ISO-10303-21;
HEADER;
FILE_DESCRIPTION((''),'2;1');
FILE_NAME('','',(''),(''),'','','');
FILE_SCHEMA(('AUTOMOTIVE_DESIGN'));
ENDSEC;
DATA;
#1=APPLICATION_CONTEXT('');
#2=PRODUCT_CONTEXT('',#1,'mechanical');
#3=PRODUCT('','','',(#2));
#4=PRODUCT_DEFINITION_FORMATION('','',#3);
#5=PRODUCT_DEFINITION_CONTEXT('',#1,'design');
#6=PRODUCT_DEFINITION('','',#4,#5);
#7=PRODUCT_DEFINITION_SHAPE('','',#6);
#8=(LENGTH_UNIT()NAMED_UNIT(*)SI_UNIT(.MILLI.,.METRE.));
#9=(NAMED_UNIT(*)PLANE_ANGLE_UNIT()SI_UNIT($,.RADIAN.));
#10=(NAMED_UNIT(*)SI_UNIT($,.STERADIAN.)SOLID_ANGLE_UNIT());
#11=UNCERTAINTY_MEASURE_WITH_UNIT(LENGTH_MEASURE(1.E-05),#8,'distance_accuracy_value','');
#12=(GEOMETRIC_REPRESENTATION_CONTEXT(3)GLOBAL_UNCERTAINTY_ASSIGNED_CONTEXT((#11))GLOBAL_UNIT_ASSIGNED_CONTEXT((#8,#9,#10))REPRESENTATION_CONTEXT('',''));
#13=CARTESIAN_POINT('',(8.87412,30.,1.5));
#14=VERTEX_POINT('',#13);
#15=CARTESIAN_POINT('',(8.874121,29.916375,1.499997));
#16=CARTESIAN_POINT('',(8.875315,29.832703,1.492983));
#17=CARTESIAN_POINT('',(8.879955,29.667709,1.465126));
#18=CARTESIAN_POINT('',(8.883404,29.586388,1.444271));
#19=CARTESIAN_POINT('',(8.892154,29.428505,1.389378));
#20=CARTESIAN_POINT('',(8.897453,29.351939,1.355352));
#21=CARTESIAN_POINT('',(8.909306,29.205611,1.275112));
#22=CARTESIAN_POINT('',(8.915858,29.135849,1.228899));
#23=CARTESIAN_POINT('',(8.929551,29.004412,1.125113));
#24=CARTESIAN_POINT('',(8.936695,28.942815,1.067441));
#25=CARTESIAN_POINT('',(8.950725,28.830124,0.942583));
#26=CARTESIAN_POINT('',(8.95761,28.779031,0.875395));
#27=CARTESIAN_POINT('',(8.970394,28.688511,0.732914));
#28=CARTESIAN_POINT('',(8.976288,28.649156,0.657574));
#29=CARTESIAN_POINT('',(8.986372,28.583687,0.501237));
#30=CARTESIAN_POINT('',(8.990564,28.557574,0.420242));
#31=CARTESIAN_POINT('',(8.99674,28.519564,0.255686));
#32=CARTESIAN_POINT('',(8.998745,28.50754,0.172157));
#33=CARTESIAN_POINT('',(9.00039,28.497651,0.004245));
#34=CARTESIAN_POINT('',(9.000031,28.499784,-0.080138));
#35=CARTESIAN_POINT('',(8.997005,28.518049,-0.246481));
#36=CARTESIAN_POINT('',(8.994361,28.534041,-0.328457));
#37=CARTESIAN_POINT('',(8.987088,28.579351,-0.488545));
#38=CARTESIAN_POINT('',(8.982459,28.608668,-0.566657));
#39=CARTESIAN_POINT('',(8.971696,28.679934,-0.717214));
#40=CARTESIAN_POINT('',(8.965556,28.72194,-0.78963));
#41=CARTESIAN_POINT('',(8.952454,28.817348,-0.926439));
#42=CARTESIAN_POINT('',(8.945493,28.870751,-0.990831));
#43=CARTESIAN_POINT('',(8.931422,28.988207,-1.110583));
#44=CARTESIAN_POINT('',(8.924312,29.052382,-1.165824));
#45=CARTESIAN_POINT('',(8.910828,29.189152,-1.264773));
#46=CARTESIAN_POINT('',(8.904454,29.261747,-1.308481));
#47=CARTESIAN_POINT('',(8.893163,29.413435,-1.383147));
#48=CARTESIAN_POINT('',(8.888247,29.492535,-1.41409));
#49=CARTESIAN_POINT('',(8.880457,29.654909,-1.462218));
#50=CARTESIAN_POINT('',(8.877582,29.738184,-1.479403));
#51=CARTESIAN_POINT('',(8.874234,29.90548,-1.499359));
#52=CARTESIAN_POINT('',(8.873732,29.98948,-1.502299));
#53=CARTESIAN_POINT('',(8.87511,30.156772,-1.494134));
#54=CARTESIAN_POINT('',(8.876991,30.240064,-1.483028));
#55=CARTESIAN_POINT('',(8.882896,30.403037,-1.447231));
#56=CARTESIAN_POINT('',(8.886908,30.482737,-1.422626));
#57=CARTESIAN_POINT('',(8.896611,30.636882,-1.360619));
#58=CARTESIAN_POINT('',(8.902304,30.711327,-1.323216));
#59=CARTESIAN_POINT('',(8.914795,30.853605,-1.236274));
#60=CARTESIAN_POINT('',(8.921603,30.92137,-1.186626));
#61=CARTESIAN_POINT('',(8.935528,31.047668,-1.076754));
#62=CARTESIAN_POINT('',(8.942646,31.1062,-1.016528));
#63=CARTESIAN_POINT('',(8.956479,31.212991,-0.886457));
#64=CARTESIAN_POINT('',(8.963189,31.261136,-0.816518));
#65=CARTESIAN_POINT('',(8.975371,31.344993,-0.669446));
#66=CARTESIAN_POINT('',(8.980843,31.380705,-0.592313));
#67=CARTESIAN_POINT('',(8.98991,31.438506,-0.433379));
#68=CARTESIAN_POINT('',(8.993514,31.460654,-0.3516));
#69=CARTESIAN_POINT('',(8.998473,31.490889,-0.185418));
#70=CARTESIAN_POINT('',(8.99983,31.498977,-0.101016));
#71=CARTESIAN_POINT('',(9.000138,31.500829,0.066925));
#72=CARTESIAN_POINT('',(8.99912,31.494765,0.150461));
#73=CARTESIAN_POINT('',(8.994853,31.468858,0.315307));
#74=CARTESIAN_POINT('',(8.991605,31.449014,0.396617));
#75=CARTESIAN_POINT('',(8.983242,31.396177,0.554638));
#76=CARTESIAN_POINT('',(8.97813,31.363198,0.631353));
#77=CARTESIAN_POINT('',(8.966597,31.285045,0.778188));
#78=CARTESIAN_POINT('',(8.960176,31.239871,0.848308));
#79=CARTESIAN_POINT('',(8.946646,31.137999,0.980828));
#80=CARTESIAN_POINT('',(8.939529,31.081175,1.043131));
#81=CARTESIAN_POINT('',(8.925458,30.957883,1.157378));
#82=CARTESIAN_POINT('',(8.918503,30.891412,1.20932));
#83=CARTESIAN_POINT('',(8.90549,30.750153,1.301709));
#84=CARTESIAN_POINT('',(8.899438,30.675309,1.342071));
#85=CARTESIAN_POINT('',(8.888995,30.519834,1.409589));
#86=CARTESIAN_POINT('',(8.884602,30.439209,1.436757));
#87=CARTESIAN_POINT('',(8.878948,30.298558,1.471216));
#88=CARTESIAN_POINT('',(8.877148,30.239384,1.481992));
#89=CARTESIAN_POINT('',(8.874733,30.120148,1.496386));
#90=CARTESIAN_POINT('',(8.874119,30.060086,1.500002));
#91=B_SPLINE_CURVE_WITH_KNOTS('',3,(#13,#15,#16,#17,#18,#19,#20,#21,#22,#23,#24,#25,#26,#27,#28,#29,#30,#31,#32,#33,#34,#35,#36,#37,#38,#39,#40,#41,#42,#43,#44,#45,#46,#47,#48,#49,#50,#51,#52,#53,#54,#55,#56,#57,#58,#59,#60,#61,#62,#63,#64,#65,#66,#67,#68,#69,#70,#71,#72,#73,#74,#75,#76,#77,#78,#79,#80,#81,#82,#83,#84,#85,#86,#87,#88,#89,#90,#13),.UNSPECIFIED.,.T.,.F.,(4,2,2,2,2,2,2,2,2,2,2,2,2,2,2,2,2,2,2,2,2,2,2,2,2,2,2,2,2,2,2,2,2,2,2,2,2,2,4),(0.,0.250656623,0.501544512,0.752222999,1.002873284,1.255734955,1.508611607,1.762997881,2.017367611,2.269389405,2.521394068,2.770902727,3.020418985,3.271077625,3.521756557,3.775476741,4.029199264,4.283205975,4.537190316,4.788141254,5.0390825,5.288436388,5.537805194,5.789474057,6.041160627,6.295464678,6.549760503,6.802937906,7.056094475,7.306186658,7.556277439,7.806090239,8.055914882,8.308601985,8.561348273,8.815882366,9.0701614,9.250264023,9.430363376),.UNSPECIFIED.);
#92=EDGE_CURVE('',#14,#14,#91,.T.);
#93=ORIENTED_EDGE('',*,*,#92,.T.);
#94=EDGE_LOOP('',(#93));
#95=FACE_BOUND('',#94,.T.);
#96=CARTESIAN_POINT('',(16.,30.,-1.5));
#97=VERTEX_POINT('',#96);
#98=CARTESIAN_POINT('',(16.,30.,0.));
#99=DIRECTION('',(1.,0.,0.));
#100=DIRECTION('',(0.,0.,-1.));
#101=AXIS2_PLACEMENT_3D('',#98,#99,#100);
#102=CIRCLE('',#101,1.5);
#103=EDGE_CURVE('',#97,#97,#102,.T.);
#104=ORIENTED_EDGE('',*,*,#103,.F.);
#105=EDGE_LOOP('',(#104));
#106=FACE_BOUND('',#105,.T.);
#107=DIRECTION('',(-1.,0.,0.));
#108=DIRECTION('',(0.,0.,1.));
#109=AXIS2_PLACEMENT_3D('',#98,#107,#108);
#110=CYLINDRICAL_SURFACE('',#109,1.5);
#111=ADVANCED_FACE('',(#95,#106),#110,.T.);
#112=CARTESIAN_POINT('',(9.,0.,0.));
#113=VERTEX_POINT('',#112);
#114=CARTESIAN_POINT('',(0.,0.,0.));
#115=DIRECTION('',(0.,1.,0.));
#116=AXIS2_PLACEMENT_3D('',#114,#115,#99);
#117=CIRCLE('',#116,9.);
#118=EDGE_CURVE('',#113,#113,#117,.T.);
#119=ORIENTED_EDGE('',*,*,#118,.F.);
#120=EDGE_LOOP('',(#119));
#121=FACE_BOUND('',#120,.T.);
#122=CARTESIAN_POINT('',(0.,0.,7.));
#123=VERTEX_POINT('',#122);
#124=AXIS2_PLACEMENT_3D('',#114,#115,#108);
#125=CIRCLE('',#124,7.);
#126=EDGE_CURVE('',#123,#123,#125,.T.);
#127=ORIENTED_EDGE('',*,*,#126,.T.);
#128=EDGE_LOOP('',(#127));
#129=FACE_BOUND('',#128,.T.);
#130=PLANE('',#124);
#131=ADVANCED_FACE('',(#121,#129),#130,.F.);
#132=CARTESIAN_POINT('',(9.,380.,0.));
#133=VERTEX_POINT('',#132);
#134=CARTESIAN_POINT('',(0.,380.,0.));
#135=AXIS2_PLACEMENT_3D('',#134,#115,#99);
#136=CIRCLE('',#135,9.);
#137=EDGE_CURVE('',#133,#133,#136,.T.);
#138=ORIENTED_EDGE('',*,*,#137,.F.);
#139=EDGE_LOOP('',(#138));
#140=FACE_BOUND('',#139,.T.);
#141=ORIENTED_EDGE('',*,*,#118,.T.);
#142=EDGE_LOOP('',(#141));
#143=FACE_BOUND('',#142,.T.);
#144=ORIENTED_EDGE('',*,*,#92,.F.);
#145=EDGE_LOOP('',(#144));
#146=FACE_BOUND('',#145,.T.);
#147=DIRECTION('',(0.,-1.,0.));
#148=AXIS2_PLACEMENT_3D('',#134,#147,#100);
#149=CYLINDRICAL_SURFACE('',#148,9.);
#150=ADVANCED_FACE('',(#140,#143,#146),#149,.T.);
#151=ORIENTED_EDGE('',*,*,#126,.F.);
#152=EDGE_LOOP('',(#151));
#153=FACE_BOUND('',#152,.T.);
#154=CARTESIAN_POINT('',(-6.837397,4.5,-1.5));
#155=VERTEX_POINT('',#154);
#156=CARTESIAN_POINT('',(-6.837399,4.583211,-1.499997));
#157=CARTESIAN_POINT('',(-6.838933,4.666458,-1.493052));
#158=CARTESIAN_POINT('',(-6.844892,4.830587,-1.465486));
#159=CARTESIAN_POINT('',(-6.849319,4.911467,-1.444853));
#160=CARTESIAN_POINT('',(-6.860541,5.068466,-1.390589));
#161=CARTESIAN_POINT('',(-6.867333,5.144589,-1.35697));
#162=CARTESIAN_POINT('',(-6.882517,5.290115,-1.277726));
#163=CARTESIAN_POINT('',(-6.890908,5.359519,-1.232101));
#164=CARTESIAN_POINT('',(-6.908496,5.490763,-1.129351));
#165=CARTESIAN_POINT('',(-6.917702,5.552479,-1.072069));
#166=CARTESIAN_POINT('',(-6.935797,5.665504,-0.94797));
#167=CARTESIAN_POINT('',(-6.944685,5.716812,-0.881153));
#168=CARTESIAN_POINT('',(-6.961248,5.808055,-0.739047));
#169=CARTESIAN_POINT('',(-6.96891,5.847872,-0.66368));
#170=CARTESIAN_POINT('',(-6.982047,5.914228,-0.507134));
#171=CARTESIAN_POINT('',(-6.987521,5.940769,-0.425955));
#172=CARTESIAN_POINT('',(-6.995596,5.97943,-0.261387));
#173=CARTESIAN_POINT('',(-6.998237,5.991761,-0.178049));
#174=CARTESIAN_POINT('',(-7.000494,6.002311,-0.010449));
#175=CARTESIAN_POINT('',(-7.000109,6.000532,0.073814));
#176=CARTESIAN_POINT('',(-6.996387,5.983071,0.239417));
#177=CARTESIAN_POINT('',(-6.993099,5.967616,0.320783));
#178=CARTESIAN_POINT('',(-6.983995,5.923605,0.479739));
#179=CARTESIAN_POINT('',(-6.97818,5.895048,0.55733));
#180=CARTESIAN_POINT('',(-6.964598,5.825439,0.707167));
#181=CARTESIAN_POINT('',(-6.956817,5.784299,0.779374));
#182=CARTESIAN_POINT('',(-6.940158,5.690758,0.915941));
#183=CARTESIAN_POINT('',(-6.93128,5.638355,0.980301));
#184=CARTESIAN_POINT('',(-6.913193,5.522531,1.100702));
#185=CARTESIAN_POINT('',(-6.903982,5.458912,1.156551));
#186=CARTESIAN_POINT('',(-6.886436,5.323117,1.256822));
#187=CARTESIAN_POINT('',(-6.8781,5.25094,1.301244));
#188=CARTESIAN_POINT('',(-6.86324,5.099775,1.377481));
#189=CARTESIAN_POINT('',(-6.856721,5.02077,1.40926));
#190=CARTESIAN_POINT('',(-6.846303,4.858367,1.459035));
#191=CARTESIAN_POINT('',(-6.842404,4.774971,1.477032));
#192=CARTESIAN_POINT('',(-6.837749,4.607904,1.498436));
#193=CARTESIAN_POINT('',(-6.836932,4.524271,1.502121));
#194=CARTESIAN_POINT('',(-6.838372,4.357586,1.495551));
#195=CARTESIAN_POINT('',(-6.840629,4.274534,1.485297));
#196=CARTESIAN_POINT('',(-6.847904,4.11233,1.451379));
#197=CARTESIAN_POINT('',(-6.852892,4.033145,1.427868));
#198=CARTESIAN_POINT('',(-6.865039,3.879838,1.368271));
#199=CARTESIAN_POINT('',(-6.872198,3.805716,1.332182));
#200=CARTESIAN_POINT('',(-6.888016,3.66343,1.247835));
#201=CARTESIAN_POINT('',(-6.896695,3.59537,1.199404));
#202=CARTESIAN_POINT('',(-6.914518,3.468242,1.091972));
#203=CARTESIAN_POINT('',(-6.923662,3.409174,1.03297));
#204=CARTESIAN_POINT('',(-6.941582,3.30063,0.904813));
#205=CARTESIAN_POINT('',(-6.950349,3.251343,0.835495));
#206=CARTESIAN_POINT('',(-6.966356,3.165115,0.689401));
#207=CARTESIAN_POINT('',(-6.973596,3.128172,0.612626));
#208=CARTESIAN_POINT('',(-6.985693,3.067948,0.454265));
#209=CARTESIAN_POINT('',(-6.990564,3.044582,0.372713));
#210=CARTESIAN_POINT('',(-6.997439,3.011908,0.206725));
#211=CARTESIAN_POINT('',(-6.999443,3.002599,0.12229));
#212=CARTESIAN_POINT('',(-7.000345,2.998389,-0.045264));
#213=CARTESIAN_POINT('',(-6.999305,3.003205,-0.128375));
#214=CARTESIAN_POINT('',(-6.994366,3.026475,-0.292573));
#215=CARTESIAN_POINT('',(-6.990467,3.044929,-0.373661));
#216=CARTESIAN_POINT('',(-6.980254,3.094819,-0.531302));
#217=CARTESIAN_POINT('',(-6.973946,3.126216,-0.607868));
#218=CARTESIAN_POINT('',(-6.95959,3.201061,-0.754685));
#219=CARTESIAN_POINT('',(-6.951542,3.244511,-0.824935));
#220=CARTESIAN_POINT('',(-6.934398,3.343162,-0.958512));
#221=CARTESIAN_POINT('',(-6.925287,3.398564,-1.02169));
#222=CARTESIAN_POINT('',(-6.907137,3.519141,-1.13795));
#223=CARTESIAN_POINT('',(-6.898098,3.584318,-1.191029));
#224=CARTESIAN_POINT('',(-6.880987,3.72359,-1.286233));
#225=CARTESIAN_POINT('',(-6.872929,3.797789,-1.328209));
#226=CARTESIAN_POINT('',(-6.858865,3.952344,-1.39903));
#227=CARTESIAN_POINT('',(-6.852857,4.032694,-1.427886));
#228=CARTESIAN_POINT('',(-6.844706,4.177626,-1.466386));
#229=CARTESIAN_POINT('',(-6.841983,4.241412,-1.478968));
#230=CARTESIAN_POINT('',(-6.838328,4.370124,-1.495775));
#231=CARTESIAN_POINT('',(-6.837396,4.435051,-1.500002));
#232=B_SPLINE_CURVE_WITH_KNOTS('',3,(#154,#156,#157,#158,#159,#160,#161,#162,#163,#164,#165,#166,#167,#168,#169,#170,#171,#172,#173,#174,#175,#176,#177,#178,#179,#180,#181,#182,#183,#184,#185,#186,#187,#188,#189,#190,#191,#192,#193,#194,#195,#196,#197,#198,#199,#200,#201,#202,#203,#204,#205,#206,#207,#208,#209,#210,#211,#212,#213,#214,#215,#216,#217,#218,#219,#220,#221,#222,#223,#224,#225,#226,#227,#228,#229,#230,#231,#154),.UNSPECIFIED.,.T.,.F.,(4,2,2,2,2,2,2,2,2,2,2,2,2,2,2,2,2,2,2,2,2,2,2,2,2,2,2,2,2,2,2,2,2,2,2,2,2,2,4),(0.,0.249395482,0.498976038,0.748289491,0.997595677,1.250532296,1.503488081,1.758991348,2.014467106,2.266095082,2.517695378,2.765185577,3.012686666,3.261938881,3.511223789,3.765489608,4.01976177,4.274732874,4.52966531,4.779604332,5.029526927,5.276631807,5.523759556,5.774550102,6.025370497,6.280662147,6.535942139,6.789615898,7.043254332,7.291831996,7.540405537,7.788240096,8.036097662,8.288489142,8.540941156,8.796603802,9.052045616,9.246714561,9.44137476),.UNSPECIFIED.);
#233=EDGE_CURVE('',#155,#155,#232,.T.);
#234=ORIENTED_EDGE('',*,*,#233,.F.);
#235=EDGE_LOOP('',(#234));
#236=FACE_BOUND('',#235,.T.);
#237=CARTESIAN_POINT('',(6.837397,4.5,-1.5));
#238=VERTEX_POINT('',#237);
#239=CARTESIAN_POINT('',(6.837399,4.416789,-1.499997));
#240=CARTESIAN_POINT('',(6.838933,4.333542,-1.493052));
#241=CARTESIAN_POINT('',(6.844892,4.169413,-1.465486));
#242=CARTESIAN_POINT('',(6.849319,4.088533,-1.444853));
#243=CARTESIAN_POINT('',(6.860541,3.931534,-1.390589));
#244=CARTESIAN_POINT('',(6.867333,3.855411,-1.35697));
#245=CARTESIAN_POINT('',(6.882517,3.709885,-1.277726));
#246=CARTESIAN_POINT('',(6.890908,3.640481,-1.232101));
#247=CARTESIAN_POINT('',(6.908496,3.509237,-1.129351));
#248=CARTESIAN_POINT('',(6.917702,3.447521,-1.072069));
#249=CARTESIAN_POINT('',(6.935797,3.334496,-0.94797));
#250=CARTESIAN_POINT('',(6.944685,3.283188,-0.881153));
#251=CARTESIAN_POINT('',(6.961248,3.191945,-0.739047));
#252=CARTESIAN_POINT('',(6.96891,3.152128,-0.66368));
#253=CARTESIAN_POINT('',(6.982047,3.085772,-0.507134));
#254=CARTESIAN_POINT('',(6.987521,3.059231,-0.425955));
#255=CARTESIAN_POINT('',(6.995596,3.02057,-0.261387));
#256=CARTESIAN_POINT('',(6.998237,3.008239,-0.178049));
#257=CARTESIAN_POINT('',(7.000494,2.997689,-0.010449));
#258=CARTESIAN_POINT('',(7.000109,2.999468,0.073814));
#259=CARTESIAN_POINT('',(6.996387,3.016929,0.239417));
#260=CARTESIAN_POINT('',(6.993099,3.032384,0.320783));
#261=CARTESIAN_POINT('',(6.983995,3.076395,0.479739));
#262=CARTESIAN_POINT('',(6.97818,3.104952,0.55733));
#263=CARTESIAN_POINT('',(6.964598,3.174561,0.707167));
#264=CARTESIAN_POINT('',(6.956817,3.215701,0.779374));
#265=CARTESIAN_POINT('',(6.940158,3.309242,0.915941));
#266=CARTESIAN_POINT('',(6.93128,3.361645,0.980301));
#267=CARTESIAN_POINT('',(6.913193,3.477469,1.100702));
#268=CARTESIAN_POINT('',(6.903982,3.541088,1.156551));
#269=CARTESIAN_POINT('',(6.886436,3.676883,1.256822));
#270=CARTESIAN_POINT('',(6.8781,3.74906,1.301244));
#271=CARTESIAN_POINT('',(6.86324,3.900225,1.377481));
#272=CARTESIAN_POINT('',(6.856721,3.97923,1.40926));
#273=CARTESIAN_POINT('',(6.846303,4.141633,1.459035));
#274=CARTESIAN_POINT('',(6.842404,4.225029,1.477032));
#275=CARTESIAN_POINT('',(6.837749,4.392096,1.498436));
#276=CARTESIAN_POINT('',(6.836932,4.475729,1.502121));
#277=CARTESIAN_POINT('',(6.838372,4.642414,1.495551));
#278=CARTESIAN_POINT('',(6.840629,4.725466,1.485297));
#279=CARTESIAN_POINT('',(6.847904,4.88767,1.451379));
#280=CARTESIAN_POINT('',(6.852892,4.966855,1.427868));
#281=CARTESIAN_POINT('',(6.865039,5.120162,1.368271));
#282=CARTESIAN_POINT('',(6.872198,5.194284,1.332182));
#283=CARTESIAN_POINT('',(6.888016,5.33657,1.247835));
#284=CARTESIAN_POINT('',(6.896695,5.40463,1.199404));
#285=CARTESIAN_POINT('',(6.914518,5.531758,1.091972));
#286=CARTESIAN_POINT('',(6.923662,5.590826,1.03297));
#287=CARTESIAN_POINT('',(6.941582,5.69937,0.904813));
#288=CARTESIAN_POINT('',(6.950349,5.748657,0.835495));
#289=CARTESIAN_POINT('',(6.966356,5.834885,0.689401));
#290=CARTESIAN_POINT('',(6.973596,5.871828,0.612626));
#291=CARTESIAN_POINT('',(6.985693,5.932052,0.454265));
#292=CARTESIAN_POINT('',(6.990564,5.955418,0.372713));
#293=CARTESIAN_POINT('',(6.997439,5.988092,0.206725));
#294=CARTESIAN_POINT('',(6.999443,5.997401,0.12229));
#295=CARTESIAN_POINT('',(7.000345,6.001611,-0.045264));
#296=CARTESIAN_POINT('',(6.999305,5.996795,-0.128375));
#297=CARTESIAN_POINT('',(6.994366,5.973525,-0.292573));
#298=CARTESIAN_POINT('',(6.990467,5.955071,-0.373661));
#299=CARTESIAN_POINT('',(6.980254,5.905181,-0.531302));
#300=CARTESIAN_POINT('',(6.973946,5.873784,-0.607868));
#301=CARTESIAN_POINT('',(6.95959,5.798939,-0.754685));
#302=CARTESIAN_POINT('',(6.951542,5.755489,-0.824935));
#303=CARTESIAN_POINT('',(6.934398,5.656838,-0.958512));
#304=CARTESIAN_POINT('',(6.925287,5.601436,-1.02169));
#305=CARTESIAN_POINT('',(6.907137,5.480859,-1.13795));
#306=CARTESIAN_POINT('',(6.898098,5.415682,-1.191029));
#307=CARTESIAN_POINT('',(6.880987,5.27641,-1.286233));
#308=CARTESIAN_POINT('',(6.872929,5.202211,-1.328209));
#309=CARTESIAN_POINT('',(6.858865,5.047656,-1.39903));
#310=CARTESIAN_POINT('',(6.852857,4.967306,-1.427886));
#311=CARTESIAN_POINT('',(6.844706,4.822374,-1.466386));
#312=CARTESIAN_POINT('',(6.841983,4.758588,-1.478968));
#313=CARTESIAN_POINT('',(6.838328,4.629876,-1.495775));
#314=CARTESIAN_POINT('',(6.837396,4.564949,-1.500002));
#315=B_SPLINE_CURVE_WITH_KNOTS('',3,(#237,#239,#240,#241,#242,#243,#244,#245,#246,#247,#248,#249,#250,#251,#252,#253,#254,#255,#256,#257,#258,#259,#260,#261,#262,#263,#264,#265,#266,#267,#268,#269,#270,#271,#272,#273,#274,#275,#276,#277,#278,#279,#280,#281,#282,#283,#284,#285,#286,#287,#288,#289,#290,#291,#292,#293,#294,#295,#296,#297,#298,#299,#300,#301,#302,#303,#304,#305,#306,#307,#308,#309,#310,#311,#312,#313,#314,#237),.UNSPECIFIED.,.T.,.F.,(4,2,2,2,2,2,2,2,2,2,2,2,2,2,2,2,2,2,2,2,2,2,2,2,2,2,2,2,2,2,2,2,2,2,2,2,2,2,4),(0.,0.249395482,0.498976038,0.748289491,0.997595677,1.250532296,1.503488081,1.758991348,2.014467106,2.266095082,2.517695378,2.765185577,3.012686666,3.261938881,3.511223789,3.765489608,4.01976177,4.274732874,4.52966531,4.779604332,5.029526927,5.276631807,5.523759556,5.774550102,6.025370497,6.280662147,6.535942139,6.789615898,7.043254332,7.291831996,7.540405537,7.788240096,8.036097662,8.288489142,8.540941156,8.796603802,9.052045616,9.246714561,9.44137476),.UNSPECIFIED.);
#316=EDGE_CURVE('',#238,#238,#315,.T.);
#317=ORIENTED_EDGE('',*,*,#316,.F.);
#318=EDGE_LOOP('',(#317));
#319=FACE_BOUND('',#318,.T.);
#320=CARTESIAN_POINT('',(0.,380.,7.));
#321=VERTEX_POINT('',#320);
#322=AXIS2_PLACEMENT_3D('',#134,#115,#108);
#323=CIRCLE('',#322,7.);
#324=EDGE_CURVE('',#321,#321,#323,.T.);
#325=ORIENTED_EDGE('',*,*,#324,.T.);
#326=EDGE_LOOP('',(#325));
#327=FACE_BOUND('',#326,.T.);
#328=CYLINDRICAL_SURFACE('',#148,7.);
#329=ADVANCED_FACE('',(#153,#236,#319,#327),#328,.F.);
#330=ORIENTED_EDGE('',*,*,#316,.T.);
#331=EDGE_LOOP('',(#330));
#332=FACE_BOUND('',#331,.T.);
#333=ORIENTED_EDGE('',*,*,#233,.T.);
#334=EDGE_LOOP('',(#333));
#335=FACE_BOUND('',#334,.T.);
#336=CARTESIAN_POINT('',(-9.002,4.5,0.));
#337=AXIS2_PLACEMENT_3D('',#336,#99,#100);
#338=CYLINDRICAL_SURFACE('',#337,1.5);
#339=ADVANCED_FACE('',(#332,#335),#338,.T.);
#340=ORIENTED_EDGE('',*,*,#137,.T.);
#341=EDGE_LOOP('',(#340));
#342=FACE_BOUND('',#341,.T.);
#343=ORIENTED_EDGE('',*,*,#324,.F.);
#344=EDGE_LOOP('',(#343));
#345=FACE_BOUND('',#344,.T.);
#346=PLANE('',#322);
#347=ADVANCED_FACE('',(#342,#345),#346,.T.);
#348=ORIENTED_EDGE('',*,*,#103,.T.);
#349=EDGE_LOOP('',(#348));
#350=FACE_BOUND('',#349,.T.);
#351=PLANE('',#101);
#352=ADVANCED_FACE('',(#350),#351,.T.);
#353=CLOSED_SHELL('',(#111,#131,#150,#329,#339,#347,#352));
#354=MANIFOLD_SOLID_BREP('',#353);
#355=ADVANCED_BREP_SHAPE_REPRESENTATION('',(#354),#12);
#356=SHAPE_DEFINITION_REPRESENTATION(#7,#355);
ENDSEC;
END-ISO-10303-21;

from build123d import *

# Parameters (mm, degrees)
SKETCH1_R                            = 9
SKETCH1_R_2                          = 7
EXTRUDE_THIN1_DEPTH                  = 380
BOSS_EXTRUDE1_REACH                  = 382.213
BOSS_EXTRUDE1_END_RADIUS             = 7
SKETCH2_R                            = 1.5
BOSS_EXTRUDE1_DIRECTION_2_REACH      = 382.213
BOSS_EXTRUDE1_DIRECTION_2_END_RADIUS = 7
BOSS_EXTRUDE2_START                  = 8
SKETCH3_R                            = 1.5
BOSS_EXTRUDE2_DEPTH                  = 8


with BuildPart() as part:
    # Sketch1 → Extrude-Thin1 (new body)
    with BuildSketch(Plane(origin=(0, 0, 0), x_dir=(1, 0, 0), z_dir=(0, 1, 0))):
        Circle(SKETCH1_R)
        Circle(SKETCH1_R_2, mode=Mode.SUBTRACT)
    extrude(amount=EXTRUDE_THIN1_DEPTH)

    # Boss-Extrude1: up to this cylinder (the profile starts inside it)
    boss_extrude1_end = Plane(origin=(0, 4.5, 0), z_dir=(0, -1, 0)) * Cylinder(BOSS_EXTRUDE1_END_RADIUS, 779.426, mode=Mode.PRIVATE)
    # Sketch2 → Boss-Extrude1 (add, up to the surface)
    with BuildSketch(Plane(origin=(0, 0, 0), x_dir=(0, 0, -1), z_dir=(1, 0, 0)), mode=Mode.PRIVATE) as boss_extrude1_sk1:
        with Locations((0, 4.5)):
            Circle(SKETCH2_R)
    boss_extrude1_tool1 = extrude(boss_extrude1_sk1.sketch, amount=BOSS_EXTRUDE1_REACH, mode=Mode.PRIVATE) & boss_extrude1_end
    add(boss_extrude1_tool1.solids().sort_by_distance((0, 4.5, 0))[0])

    # Boss-Extrude1 direction 2: up to this cylinder (the profile starts inside it)
    boss_extrude1_direction_2_end = Plane(origin=(0, 4.5, 0), z_dir=(0, -1, 0)) * Cylinder(BOSS_EXTRUDE1_DIRECTION_2_END_RADIUS, 779.426, mode=Mode.PRIVATE)
    # Sketch2 → Boss-Extrude1 direction 2 (add, up to the surface)
    with BuildSketch(Plane(origin=(0, 0, 0), x_dir=(0, 0, -1), z_dir=(1, 0, 0)), mode=Mode.PRIVATE) as boss_extrude1_direction_2_sk1:
        with Locations((0, 4.5)):
            Circle(SKETCH2_R)
    boss_extrude1_direction_2_tool1 = extrude(boss_extrude1_direction_2_sk1.sketch, amount=-BOSS_EXTRUDE1_DIRECTION_2_REACH, mode=Mode.PRIVATE) & boss_extrude1_direction_2_end
    add(boss_extrude1_direction_2_tool1.solids().sort_by_distance((0, 4.5, 0))[0])

    # Sketch3 → Boss-Extrude2 (add)
    with BuildSketch(Plane(origin=(0, 0, 0), x_dir=(0, 0, -1), z_dir=(1, 0, 0)).offset(BOSS_EXTRUDE2_START)):
        with Locations(Location((0, 30, 0), (0, 0, 180))):
            Circle(SKETCH3_R)
    extrude(amount=BOSS_EXTRUDE2_DEPTH)


solid = part.part
